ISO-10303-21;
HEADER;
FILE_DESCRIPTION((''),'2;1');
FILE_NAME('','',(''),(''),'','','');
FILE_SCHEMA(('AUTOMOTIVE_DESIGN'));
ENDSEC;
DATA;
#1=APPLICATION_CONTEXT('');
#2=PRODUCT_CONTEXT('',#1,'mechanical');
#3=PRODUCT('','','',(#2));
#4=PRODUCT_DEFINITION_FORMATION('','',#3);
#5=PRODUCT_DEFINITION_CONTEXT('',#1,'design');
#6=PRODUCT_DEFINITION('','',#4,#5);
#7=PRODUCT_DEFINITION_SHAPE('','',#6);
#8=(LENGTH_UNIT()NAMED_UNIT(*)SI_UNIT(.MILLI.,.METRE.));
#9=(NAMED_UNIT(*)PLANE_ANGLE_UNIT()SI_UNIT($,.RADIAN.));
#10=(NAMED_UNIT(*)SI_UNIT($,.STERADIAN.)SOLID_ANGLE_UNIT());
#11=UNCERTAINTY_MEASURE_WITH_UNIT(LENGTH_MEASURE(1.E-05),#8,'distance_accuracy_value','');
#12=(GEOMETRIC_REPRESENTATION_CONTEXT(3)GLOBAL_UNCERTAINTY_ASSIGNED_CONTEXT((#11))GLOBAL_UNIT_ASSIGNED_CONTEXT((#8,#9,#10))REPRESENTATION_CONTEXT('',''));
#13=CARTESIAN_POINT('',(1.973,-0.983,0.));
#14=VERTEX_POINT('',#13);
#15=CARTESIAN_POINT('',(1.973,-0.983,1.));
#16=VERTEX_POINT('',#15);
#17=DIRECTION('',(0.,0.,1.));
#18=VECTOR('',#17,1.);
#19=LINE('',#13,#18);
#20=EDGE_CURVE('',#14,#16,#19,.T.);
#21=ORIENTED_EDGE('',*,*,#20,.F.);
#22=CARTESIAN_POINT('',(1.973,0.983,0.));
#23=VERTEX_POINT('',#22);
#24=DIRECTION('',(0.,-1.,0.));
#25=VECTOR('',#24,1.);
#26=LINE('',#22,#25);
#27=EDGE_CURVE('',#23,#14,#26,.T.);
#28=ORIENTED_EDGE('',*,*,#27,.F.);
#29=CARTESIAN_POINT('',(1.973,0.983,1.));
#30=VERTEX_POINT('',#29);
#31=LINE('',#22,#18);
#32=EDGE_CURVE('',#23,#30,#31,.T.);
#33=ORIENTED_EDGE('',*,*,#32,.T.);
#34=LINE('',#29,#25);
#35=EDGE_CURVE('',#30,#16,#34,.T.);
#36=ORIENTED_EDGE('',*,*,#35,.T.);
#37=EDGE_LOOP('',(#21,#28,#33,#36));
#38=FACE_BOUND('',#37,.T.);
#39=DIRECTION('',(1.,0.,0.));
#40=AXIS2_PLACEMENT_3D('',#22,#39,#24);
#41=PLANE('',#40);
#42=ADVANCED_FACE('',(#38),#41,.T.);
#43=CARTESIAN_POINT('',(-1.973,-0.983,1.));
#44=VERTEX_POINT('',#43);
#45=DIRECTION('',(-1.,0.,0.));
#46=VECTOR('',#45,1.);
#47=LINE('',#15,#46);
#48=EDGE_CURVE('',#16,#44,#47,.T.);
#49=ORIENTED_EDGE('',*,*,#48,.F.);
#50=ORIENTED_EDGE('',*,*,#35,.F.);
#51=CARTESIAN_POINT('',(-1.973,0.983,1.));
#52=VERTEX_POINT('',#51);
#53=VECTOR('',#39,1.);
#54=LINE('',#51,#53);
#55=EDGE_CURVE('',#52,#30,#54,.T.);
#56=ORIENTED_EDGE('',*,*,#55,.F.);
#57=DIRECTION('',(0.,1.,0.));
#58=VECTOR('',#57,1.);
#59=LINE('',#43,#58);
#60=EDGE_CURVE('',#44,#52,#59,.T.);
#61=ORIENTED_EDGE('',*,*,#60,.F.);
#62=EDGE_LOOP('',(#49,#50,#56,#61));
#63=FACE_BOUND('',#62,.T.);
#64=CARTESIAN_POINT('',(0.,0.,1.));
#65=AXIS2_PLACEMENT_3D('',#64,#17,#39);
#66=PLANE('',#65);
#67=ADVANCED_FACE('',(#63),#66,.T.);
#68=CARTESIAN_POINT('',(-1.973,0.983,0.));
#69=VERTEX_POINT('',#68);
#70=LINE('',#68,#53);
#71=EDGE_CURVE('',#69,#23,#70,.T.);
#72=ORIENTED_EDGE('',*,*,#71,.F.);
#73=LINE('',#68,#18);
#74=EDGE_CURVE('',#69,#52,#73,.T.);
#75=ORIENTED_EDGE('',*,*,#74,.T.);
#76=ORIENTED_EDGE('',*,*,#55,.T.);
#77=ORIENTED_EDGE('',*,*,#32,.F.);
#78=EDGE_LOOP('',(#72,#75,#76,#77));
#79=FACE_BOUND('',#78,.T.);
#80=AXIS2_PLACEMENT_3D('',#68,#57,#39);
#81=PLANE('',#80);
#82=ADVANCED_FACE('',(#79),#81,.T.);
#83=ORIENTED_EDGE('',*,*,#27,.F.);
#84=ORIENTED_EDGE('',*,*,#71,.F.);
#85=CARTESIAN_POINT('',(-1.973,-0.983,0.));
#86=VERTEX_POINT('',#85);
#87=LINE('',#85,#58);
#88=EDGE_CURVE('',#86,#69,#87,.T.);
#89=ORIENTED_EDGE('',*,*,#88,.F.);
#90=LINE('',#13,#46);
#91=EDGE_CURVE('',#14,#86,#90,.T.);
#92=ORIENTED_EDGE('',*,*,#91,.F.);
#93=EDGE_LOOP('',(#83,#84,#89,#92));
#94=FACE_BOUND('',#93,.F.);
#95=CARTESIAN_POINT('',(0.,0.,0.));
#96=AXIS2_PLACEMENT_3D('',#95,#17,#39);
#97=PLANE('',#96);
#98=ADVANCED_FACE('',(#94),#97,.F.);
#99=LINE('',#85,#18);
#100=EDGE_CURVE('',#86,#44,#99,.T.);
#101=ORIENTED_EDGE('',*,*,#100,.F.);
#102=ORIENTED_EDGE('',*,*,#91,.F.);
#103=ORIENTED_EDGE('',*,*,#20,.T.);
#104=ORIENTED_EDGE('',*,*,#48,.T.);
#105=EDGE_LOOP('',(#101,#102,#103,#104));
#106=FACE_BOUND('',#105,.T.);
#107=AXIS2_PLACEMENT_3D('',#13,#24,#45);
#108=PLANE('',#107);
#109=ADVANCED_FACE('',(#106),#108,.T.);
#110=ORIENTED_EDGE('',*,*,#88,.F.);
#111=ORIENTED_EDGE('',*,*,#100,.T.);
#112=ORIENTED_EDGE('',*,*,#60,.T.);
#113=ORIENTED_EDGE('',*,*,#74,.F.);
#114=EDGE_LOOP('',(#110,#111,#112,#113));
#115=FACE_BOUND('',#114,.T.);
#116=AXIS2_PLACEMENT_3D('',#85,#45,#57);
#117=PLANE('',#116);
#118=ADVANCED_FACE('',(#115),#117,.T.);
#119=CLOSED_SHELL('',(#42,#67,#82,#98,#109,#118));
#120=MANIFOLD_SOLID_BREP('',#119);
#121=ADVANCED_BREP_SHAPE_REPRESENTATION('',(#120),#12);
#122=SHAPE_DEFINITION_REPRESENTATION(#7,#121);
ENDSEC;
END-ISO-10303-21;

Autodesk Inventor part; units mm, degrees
ref_plane "YZ Plane" through (0, 0, 0) normal (1, 0, 0) x (0, 1, 0)
ref_plane "XZ Plane" through (0, 0, 0) normal (0, 1, 0) x (-1, 0, 0)
ref_plane "XY Plane" through (0, 0, 0) normal (0, 0, 1) x (1, 0, 0)
sketch "R0805, 35_7K_51" plane through (0, 0, 0) normal (0, 0, 1) x (1, 0, 0)
  line L0 (-1.973, 0.983) -> (1.973, 0.983)
  line L1 (1.973, 0.983) -> (1.973, -0.983)
  line L2 (1.973, -0.983) -> (-1.973, -0.983)
  line L3 (-1.973, -0.983) -> (-1.973, 0.983)
extrude "Extrusion1" add sketch "R0805, 35_7K_51" along normal blind 1
properties part number "35_7K"
